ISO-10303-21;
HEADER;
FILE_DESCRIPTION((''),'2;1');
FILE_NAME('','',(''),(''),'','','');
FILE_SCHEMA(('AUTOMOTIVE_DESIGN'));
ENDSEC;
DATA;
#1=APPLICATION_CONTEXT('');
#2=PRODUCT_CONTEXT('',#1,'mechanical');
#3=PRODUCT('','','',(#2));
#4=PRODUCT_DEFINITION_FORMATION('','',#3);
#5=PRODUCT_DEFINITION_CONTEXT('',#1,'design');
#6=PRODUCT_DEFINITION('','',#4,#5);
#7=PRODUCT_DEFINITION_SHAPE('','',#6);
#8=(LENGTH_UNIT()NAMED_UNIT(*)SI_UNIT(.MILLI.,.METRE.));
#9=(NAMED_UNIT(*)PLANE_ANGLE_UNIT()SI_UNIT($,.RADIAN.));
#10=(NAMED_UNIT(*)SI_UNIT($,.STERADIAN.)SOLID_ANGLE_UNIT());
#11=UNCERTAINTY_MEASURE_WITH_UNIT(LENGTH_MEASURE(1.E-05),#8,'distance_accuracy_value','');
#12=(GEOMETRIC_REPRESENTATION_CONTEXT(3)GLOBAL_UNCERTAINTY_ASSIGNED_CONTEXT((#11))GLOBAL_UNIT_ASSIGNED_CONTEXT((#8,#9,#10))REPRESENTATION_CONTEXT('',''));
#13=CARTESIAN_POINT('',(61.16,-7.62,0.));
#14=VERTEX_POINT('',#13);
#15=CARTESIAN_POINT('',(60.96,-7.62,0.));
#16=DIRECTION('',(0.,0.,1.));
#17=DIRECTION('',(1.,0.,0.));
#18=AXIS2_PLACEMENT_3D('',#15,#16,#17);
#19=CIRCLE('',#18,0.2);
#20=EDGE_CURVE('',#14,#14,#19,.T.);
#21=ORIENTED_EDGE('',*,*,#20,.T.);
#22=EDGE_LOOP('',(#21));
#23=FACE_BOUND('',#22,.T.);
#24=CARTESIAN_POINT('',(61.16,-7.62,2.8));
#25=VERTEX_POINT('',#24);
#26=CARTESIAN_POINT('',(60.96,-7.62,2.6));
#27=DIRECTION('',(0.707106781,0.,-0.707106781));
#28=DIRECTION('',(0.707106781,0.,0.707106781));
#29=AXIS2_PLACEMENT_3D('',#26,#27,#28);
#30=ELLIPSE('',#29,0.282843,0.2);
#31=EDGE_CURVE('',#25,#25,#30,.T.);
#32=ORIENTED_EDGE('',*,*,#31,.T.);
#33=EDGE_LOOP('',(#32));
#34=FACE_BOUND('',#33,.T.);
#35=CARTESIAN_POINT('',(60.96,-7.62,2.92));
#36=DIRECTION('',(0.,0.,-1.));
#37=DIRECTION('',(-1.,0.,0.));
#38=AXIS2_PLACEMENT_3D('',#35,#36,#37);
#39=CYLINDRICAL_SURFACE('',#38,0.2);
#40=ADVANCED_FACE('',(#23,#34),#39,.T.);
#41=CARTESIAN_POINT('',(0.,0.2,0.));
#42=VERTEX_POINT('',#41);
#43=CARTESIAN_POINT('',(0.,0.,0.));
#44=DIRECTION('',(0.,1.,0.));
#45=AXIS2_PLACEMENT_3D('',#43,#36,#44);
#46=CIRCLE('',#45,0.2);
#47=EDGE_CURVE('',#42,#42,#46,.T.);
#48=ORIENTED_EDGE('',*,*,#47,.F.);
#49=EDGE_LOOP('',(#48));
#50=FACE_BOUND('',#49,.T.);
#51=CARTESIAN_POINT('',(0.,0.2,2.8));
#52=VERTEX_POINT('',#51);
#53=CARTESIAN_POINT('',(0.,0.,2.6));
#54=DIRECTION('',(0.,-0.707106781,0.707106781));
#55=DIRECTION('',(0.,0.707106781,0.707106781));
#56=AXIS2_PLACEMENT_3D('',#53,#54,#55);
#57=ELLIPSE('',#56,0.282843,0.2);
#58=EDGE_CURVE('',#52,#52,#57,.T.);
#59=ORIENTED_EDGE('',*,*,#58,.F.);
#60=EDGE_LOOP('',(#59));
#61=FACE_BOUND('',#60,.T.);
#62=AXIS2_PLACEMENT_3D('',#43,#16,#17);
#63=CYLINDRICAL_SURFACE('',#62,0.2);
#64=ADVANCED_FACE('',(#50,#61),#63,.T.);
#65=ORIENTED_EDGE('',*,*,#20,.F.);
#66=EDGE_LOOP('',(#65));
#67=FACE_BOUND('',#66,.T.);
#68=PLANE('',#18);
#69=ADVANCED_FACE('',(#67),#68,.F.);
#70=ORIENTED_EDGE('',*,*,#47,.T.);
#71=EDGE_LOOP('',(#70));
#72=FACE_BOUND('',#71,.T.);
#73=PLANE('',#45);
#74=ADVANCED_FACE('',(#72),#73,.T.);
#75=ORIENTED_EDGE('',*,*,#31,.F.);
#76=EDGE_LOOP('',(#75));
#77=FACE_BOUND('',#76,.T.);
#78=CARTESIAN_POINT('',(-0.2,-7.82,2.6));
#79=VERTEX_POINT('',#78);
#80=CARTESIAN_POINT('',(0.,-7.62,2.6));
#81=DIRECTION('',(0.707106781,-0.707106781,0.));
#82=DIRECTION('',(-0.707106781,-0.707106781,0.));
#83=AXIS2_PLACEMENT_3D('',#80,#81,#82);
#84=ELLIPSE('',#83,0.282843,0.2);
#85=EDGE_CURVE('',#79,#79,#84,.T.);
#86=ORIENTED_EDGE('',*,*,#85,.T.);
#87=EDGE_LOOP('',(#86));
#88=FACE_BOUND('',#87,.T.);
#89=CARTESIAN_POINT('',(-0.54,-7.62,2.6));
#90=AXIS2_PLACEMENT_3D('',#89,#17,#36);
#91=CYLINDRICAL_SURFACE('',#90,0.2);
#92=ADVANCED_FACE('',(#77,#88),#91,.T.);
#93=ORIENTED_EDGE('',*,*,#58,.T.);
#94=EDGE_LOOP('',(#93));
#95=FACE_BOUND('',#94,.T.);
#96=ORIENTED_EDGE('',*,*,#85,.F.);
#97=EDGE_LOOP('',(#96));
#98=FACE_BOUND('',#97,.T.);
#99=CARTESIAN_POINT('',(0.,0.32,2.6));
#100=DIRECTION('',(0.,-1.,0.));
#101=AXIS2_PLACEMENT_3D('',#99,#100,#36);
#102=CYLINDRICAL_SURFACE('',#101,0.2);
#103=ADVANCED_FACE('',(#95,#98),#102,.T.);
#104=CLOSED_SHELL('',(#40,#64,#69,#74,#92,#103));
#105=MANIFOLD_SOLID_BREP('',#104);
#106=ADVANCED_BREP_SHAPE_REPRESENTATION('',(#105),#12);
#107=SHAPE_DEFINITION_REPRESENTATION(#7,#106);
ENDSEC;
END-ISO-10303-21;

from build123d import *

# Parameters (mm, degrees)
SWEEP1_PROFILE_R = 0.2


with BuildPart() as part:
    # Sweep1: sweep along a curve in space
    with BuildLine() as sweep1_path:
        Line((0, 0, 0), (0, 0, 2.6))
        Line((0, 0, 2.6), (0, -7.62, 2.6))
        Line((0, -7.62, 2.6), (60.96, -7.62, 2.6))
        Line((60.96, -7.62, 2.6), (60.96, -7.62, 0))
    # Sweep1 profile (on start of the path) → Sweep1 (sweep)
    with BuildSketch(Plane.XY):
        Circle(SWEEP1_PROFILE_R)
    sweep(path=sweep1_path.line, transition=Transition.RIGHT)


solid = part.part
